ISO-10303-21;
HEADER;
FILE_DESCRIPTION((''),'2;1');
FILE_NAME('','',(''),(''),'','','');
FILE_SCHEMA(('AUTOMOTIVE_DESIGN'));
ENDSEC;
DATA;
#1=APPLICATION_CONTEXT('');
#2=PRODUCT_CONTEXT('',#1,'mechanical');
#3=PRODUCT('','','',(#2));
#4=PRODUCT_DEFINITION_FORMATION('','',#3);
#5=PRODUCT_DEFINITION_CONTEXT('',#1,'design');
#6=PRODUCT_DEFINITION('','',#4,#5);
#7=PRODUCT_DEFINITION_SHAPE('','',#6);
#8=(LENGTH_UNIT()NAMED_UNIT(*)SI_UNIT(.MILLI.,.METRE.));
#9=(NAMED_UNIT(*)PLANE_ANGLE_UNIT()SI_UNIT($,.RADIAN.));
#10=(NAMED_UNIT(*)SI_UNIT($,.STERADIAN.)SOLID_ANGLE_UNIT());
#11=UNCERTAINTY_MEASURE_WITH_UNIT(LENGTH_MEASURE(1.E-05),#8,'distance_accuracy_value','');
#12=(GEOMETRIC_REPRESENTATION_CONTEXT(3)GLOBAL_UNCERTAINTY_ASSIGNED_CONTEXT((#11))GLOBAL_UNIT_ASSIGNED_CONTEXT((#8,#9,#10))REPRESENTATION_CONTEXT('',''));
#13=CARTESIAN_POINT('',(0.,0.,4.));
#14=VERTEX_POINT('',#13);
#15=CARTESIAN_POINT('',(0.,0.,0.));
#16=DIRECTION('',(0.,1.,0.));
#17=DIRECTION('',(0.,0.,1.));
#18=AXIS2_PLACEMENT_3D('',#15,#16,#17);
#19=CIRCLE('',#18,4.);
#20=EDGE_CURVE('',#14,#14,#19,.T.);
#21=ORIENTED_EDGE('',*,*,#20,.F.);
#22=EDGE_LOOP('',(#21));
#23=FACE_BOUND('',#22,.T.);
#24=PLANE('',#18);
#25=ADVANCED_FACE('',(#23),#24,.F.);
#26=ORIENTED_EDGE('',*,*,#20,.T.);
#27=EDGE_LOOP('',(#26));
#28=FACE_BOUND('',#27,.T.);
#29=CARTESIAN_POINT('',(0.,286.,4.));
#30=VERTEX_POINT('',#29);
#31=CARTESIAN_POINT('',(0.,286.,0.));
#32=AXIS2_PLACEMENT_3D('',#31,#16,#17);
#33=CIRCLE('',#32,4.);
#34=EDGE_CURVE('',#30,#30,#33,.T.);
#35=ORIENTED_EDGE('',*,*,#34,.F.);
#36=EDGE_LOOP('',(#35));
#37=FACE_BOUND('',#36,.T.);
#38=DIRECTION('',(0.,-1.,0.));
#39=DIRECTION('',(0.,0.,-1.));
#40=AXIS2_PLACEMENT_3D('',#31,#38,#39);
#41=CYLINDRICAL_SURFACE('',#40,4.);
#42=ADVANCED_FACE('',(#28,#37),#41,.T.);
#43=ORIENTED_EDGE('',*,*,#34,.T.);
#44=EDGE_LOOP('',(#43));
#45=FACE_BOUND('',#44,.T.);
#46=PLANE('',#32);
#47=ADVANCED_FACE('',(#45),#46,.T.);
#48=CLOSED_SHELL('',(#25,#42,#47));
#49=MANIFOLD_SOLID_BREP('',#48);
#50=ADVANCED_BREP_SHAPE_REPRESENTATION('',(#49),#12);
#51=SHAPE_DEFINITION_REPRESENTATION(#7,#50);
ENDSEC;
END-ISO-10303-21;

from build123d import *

# Parameters (mm, degrees)
SKETCH1_R           = 4
BOSS_EXTRUDE1_DEPTH = 286


with BuildPart() as part:
    # Sketch1 → Boss-Extrude1 (new body)
    with BuildSketch(Plane(origin=(0, 0, 0), x_dir=(1, 0, 0), z_dir=(0, 1, 0))):
        Circle(SKETCH1_R)
    extrude(amount=BOSS_EXTRUDE1_DEPTH)


solid = part.part
